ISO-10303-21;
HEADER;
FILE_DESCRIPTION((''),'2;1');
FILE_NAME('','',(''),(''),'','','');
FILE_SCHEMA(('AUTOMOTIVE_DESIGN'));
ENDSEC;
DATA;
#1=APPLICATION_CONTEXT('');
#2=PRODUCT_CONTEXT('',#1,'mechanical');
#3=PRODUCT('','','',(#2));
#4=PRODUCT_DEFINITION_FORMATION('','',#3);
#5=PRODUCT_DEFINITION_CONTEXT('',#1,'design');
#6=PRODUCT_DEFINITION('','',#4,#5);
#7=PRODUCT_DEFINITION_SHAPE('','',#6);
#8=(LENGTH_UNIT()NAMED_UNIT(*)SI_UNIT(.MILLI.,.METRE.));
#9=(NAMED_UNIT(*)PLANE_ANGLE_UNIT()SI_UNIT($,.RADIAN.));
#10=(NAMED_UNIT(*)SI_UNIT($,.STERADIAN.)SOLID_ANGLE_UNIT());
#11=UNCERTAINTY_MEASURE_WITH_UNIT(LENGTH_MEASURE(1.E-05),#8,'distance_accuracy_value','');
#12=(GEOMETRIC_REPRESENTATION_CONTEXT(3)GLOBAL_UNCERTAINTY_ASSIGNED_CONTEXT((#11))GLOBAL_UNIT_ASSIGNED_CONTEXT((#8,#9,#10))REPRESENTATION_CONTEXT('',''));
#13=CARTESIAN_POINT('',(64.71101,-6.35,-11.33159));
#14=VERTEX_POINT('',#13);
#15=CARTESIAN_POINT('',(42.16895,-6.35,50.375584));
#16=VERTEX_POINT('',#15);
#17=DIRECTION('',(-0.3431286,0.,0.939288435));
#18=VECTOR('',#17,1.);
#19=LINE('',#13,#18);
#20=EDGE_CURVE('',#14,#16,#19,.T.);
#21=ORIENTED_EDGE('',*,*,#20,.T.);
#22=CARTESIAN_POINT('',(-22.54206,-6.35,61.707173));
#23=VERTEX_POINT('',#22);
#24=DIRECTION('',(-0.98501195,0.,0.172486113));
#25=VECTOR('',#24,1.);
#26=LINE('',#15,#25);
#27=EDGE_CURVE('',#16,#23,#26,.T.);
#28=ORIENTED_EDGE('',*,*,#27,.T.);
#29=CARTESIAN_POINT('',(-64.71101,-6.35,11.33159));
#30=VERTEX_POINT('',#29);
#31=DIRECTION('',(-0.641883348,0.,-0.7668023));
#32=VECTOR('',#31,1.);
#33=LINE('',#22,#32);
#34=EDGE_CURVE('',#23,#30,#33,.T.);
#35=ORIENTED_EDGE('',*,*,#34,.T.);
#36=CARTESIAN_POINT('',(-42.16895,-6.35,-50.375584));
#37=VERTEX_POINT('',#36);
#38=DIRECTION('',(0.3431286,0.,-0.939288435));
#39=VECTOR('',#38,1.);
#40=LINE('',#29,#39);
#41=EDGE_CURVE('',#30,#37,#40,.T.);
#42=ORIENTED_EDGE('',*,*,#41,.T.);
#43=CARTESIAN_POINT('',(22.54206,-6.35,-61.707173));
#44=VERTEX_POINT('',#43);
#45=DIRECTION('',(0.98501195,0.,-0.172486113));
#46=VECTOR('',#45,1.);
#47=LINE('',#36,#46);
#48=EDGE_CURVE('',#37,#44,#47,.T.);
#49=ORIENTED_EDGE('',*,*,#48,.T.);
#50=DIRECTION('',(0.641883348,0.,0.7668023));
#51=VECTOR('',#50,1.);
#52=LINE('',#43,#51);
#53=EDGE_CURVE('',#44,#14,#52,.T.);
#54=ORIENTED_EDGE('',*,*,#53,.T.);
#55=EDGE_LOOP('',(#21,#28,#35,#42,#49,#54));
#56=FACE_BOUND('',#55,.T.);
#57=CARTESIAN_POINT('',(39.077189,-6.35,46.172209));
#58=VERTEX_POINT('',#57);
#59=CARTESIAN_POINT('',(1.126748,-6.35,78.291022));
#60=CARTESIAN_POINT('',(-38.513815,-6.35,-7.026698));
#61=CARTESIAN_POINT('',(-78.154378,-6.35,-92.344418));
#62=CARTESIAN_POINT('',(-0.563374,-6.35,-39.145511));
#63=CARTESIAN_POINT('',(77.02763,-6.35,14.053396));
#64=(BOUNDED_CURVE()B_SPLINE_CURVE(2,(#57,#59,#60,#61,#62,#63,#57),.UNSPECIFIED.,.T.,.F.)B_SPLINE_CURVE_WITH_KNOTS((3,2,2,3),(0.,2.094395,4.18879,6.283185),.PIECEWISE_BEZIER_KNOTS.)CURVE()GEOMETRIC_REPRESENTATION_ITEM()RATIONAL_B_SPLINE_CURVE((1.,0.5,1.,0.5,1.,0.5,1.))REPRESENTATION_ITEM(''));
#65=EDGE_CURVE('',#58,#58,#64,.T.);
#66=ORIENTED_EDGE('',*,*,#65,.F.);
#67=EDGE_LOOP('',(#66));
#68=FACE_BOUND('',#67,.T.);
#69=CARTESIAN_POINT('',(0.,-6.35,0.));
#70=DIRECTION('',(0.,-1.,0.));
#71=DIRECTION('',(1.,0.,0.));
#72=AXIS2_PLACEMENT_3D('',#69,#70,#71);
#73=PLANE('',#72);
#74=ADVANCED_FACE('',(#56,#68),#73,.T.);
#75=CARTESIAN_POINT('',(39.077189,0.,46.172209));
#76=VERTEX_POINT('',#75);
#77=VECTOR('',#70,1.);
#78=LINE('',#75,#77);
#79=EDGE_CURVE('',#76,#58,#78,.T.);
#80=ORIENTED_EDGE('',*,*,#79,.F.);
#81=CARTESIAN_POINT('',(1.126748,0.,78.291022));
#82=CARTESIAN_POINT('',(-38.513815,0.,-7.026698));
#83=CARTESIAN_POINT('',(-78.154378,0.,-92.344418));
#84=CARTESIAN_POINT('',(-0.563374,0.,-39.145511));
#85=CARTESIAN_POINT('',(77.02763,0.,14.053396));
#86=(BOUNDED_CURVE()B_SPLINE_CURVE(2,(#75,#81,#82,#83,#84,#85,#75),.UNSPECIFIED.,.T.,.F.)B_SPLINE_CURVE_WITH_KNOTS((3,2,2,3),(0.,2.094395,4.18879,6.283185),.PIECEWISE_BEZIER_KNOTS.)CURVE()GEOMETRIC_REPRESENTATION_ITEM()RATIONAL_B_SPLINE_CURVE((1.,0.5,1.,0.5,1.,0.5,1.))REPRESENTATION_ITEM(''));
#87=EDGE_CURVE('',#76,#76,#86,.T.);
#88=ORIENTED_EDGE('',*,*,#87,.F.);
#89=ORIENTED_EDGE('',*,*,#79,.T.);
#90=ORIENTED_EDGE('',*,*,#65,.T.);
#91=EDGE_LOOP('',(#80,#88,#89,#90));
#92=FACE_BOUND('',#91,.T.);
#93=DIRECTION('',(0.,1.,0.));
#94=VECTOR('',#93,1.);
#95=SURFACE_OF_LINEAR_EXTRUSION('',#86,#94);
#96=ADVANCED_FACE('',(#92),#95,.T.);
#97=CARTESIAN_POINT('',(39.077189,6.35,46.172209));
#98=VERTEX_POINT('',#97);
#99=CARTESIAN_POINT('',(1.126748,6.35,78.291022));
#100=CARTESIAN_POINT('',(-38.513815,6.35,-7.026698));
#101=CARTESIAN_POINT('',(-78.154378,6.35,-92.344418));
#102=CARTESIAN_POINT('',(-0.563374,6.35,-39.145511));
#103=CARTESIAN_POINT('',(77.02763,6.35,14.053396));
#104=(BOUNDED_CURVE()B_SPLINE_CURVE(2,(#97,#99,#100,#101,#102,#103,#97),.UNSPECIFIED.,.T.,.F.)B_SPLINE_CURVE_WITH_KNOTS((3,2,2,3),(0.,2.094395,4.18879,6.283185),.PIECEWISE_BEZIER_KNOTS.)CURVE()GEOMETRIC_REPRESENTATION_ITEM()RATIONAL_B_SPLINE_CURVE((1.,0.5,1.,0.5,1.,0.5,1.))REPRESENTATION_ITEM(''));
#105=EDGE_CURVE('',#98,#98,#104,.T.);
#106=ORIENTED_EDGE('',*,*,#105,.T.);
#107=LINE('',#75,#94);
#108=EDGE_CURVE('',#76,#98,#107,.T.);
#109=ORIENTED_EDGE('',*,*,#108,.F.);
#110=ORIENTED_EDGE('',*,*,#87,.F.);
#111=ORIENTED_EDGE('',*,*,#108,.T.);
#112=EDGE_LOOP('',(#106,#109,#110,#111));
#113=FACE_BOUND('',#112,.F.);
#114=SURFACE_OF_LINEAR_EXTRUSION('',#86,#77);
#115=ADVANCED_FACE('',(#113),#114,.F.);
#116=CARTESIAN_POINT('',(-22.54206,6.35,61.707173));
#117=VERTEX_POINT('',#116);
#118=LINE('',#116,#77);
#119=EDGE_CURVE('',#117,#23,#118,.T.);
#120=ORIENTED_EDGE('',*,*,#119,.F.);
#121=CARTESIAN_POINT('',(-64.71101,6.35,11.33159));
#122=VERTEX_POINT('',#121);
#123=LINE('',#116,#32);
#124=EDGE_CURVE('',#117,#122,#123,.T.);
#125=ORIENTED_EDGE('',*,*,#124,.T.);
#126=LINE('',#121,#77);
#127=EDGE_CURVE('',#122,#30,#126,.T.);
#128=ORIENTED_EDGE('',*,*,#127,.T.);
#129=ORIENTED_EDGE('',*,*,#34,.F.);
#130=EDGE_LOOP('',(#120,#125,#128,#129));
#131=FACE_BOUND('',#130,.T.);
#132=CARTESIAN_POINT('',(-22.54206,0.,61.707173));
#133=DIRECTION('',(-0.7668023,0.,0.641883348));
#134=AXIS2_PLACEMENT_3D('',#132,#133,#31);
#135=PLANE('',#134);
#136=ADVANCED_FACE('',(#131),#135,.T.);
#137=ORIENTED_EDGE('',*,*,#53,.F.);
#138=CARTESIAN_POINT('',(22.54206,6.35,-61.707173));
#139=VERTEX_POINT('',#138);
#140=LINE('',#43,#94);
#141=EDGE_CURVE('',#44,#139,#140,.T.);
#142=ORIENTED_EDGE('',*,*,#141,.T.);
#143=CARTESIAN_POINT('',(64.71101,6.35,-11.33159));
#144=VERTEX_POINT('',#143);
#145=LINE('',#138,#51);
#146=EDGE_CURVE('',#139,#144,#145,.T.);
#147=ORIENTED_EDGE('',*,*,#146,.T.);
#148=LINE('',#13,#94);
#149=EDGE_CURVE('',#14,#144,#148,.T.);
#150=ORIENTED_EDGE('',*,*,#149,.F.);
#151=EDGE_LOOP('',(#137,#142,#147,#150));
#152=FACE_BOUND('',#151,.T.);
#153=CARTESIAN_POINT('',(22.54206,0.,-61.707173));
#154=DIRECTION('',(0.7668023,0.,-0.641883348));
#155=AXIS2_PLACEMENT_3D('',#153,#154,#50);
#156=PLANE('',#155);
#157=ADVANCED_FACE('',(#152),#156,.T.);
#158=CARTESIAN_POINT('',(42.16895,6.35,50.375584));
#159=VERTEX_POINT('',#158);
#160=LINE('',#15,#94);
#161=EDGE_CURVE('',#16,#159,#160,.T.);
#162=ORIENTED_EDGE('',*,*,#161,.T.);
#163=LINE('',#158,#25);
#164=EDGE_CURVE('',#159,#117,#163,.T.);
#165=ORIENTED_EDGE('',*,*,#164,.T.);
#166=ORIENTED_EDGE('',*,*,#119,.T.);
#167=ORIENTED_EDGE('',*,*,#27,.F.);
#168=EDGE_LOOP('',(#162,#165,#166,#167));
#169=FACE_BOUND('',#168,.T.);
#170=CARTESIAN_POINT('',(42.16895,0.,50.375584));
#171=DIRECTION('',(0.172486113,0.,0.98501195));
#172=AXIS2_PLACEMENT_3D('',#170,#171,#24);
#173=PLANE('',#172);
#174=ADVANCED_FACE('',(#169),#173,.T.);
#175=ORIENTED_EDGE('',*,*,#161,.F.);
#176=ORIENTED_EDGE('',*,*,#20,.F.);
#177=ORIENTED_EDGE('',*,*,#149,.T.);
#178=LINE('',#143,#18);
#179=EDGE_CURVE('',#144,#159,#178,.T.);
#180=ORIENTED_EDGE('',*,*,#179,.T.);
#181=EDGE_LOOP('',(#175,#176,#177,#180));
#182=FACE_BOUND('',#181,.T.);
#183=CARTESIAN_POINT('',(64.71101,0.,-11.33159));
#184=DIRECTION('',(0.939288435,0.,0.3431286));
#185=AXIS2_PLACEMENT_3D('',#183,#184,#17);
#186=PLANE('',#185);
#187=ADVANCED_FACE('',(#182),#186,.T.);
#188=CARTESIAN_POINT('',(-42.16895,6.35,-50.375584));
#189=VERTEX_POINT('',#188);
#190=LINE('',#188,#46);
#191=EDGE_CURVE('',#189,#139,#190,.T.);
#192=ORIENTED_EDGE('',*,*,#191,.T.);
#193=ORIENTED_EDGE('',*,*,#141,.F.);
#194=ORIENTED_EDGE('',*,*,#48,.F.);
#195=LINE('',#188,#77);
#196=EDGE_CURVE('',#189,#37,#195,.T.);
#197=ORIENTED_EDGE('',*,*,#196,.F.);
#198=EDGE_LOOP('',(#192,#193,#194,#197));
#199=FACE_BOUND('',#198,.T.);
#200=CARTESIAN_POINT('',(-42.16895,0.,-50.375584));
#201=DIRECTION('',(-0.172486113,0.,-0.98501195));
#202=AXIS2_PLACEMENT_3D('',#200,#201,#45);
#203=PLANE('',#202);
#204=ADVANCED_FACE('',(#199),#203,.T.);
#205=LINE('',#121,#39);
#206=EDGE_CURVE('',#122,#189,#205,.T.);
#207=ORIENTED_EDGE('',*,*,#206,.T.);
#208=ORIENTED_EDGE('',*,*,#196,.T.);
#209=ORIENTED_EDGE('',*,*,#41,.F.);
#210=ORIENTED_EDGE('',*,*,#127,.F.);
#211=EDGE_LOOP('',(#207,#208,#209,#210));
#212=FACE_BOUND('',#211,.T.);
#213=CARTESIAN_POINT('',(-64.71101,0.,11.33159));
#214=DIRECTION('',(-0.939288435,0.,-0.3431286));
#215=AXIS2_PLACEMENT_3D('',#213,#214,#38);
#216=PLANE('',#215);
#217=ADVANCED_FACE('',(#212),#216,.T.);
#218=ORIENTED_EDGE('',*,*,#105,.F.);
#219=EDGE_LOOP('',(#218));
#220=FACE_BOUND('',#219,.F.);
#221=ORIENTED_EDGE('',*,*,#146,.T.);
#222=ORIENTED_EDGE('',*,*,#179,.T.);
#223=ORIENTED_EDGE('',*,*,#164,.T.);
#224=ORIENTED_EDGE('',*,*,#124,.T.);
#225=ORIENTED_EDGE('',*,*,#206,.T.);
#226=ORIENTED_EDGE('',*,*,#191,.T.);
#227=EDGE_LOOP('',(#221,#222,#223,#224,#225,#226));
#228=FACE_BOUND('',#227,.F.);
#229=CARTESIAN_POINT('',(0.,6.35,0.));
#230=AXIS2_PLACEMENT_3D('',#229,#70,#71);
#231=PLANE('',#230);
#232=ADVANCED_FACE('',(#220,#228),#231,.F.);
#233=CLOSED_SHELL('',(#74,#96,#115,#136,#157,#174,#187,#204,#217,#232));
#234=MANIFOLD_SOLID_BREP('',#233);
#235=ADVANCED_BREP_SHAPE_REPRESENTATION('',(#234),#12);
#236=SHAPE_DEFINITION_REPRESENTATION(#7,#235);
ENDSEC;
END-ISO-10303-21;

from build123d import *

# Parameters (mm, degrees)
F1_DEPTH = 6.35


with BuildPart() as f1:
    # F0 (on Front) → F1 (new body, symmetric)
    with BuildSketch(Plane.XZ):
        Polygon((42.16895, 50.375584), (-22.54206, 61.707173), (-64.71101, 11.33159), (-42.16895, -50.375584), (22.54206, -61.707173), (64.71101, -11.33159), align=None)
        with BuildLine():
            add(Edge.make_bspline(
                [(39.077189, 46.172209), (1.126748, 78.291022), (-38.513815, -7.026698), (-78.154378, -92.344418), (-0.563374, -39.145511), (77.02763, 14.053396), (39.077189, 46.172209)],
                knots=[0, 0, 0, 2.094395, 2.094395, 4.18879, 4.18879, 6.283185, 6.283185, 6.283185], degree=2, weights=[1, 0.5, 1, 0.5, 1, 0.5, 1]))
        make_face(mode=Mode.SUBTRACT)
    extrude(amount=F1_DEPTH, both=True)


solid = f1.part
